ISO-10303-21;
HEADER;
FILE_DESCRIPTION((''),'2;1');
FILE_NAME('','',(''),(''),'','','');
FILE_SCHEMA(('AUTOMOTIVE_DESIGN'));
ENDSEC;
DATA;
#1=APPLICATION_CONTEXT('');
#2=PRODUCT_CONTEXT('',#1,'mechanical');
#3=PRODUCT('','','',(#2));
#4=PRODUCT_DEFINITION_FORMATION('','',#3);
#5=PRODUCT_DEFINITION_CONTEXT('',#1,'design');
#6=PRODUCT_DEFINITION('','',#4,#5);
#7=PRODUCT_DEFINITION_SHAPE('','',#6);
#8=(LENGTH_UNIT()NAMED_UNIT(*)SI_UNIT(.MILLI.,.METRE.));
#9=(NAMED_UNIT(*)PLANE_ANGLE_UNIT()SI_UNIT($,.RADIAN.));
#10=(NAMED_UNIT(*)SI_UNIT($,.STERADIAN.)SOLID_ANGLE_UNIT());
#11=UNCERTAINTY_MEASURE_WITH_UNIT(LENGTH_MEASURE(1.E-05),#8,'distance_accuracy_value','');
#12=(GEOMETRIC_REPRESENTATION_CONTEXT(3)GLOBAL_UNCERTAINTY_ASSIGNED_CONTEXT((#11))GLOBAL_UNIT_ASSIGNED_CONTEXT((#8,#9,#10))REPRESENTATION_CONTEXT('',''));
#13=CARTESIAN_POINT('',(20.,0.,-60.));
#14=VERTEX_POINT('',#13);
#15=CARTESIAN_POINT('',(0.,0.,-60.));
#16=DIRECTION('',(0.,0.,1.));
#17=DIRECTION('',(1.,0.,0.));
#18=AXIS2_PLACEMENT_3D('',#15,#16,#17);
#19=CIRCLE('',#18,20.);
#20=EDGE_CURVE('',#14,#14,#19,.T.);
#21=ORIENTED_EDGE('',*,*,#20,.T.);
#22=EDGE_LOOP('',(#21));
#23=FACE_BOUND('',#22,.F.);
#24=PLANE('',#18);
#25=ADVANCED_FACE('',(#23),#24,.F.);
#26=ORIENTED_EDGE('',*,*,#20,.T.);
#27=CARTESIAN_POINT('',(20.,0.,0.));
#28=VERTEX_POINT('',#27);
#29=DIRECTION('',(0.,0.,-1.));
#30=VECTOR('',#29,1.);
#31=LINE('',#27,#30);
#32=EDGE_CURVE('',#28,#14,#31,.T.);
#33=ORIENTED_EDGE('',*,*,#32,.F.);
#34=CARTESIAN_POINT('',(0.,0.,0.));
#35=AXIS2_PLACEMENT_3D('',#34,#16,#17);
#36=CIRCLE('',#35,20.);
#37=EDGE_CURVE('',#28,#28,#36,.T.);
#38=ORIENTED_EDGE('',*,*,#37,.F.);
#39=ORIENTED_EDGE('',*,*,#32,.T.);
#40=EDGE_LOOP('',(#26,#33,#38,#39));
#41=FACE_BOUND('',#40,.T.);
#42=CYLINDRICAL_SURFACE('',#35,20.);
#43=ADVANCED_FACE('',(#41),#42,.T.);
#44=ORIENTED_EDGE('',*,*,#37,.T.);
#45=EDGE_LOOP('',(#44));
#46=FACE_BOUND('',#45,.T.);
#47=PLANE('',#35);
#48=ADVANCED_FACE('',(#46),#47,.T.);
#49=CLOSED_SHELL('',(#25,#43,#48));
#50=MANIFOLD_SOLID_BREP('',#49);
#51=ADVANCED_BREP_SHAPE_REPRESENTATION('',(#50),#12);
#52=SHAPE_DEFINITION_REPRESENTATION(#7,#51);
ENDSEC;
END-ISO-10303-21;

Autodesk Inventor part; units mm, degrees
ref_plane "YZ Plane" through (0, 0, 0) normal (1, 0, 0) x (0, 1, 0)
ref_plane "XZ Plane" through (0, 0, 0) normal (0, 1, 0) x (-1, 0, 0)
ref_plane "XY Plane" through (0, 0, 0) normal (0, 0, 1) x (1, 0, 0)
sketch "Sketch1" plane through (0, 0, 0) normal (0, 0, 1) x (1, 0, 0)
  circle A0 centre (0, 0) radius 20
  dimension "d0" = 40
extrude "Extrusion1" add sketch "Sketch1" against normal blind 60
properties part number "Smoke grain"
